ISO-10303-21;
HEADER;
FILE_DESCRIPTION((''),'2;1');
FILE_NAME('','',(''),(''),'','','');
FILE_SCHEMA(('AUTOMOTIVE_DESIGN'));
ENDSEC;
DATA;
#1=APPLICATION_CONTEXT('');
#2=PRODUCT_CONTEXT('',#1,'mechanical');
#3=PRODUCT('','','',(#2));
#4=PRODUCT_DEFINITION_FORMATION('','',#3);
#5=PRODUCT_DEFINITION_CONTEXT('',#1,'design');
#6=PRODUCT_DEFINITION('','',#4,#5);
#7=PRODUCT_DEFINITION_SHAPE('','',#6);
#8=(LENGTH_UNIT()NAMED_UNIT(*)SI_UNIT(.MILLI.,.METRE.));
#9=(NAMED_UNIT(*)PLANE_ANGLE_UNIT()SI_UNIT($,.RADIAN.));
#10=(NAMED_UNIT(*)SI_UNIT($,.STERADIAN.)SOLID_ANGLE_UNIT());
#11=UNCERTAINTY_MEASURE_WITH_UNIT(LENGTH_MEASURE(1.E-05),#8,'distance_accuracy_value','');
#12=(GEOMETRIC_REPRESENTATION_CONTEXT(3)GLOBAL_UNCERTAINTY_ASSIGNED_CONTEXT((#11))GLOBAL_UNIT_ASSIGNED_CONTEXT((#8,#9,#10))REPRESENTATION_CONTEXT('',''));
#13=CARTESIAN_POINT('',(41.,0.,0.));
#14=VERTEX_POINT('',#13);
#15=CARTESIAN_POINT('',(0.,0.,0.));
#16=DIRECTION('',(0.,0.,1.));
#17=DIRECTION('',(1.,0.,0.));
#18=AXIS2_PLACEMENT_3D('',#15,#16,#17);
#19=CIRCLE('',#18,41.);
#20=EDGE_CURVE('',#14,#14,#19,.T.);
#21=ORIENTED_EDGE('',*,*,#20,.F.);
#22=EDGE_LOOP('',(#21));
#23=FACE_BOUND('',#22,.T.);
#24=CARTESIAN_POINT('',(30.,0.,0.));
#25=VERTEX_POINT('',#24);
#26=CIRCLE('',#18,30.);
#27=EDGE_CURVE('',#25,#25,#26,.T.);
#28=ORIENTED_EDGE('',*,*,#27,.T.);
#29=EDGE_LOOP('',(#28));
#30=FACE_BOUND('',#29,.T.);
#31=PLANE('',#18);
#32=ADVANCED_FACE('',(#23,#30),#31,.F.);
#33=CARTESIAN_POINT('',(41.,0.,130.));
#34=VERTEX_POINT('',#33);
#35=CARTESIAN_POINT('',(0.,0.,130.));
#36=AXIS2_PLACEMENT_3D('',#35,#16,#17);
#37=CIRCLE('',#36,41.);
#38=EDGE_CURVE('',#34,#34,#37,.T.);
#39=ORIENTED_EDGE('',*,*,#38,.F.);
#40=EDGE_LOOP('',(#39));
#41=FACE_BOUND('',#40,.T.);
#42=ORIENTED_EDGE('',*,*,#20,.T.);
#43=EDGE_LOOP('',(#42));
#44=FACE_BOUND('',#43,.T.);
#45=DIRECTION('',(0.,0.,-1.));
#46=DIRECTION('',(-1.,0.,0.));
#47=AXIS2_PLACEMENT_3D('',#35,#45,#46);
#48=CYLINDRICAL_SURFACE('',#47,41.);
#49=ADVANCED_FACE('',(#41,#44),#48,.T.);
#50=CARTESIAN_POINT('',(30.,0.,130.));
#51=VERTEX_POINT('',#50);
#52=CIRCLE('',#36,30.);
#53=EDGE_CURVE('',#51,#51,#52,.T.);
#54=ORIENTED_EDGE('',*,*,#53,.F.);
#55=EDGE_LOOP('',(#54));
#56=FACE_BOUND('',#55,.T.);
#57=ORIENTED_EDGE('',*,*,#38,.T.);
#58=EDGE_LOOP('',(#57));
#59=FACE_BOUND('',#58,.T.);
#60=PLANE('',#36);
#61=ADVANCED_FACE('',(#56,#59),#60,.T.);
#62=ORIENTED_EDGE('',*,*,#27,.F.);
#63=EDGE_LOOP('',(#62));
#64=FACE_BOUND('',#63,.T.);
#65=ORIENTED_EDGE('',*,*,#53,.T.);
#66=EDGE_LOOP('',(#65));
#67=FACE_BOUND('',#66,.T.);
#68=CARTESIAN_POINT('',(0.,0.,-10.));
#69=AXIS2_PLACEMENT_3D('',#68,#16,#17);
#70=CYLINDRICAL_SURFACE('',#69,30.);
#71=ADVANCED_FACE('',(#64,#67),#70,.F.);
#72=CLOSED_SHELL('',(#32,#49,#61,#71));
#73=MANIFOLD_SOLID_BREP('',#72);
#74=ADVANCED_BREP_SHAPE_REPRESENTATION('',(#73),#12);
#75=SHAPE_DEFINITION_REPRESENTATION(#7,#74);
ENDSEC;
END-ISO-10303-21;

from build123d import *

# Parameters (mm, degrees)
SKETCH1_R           = 41
BOSS_EXTRUDE1_DEPTH = 130
SKETCH2_R           = 30
CUT_EXTRUDE3_DEPTH  = 140


with BuildPart() as part:
    # Sketch1 → Boss-Extrude1 (new body)
    with BuildSketch(Plane.XY):
        Circle(SKETCH1_R)
    extrude(amount=BOSS_EXTRUDE1_DEPTH)

    # Sketch2 → Cut-Extrude3 (cut)
    with BuildSketch(Plane.XY.offset(130)):
        Circle(SKETCH2_R)
    extrude(amount=-CUT_EXTRUDE3_DEPTH, mode=Mode.SUBTRACT)


solid = part.part
